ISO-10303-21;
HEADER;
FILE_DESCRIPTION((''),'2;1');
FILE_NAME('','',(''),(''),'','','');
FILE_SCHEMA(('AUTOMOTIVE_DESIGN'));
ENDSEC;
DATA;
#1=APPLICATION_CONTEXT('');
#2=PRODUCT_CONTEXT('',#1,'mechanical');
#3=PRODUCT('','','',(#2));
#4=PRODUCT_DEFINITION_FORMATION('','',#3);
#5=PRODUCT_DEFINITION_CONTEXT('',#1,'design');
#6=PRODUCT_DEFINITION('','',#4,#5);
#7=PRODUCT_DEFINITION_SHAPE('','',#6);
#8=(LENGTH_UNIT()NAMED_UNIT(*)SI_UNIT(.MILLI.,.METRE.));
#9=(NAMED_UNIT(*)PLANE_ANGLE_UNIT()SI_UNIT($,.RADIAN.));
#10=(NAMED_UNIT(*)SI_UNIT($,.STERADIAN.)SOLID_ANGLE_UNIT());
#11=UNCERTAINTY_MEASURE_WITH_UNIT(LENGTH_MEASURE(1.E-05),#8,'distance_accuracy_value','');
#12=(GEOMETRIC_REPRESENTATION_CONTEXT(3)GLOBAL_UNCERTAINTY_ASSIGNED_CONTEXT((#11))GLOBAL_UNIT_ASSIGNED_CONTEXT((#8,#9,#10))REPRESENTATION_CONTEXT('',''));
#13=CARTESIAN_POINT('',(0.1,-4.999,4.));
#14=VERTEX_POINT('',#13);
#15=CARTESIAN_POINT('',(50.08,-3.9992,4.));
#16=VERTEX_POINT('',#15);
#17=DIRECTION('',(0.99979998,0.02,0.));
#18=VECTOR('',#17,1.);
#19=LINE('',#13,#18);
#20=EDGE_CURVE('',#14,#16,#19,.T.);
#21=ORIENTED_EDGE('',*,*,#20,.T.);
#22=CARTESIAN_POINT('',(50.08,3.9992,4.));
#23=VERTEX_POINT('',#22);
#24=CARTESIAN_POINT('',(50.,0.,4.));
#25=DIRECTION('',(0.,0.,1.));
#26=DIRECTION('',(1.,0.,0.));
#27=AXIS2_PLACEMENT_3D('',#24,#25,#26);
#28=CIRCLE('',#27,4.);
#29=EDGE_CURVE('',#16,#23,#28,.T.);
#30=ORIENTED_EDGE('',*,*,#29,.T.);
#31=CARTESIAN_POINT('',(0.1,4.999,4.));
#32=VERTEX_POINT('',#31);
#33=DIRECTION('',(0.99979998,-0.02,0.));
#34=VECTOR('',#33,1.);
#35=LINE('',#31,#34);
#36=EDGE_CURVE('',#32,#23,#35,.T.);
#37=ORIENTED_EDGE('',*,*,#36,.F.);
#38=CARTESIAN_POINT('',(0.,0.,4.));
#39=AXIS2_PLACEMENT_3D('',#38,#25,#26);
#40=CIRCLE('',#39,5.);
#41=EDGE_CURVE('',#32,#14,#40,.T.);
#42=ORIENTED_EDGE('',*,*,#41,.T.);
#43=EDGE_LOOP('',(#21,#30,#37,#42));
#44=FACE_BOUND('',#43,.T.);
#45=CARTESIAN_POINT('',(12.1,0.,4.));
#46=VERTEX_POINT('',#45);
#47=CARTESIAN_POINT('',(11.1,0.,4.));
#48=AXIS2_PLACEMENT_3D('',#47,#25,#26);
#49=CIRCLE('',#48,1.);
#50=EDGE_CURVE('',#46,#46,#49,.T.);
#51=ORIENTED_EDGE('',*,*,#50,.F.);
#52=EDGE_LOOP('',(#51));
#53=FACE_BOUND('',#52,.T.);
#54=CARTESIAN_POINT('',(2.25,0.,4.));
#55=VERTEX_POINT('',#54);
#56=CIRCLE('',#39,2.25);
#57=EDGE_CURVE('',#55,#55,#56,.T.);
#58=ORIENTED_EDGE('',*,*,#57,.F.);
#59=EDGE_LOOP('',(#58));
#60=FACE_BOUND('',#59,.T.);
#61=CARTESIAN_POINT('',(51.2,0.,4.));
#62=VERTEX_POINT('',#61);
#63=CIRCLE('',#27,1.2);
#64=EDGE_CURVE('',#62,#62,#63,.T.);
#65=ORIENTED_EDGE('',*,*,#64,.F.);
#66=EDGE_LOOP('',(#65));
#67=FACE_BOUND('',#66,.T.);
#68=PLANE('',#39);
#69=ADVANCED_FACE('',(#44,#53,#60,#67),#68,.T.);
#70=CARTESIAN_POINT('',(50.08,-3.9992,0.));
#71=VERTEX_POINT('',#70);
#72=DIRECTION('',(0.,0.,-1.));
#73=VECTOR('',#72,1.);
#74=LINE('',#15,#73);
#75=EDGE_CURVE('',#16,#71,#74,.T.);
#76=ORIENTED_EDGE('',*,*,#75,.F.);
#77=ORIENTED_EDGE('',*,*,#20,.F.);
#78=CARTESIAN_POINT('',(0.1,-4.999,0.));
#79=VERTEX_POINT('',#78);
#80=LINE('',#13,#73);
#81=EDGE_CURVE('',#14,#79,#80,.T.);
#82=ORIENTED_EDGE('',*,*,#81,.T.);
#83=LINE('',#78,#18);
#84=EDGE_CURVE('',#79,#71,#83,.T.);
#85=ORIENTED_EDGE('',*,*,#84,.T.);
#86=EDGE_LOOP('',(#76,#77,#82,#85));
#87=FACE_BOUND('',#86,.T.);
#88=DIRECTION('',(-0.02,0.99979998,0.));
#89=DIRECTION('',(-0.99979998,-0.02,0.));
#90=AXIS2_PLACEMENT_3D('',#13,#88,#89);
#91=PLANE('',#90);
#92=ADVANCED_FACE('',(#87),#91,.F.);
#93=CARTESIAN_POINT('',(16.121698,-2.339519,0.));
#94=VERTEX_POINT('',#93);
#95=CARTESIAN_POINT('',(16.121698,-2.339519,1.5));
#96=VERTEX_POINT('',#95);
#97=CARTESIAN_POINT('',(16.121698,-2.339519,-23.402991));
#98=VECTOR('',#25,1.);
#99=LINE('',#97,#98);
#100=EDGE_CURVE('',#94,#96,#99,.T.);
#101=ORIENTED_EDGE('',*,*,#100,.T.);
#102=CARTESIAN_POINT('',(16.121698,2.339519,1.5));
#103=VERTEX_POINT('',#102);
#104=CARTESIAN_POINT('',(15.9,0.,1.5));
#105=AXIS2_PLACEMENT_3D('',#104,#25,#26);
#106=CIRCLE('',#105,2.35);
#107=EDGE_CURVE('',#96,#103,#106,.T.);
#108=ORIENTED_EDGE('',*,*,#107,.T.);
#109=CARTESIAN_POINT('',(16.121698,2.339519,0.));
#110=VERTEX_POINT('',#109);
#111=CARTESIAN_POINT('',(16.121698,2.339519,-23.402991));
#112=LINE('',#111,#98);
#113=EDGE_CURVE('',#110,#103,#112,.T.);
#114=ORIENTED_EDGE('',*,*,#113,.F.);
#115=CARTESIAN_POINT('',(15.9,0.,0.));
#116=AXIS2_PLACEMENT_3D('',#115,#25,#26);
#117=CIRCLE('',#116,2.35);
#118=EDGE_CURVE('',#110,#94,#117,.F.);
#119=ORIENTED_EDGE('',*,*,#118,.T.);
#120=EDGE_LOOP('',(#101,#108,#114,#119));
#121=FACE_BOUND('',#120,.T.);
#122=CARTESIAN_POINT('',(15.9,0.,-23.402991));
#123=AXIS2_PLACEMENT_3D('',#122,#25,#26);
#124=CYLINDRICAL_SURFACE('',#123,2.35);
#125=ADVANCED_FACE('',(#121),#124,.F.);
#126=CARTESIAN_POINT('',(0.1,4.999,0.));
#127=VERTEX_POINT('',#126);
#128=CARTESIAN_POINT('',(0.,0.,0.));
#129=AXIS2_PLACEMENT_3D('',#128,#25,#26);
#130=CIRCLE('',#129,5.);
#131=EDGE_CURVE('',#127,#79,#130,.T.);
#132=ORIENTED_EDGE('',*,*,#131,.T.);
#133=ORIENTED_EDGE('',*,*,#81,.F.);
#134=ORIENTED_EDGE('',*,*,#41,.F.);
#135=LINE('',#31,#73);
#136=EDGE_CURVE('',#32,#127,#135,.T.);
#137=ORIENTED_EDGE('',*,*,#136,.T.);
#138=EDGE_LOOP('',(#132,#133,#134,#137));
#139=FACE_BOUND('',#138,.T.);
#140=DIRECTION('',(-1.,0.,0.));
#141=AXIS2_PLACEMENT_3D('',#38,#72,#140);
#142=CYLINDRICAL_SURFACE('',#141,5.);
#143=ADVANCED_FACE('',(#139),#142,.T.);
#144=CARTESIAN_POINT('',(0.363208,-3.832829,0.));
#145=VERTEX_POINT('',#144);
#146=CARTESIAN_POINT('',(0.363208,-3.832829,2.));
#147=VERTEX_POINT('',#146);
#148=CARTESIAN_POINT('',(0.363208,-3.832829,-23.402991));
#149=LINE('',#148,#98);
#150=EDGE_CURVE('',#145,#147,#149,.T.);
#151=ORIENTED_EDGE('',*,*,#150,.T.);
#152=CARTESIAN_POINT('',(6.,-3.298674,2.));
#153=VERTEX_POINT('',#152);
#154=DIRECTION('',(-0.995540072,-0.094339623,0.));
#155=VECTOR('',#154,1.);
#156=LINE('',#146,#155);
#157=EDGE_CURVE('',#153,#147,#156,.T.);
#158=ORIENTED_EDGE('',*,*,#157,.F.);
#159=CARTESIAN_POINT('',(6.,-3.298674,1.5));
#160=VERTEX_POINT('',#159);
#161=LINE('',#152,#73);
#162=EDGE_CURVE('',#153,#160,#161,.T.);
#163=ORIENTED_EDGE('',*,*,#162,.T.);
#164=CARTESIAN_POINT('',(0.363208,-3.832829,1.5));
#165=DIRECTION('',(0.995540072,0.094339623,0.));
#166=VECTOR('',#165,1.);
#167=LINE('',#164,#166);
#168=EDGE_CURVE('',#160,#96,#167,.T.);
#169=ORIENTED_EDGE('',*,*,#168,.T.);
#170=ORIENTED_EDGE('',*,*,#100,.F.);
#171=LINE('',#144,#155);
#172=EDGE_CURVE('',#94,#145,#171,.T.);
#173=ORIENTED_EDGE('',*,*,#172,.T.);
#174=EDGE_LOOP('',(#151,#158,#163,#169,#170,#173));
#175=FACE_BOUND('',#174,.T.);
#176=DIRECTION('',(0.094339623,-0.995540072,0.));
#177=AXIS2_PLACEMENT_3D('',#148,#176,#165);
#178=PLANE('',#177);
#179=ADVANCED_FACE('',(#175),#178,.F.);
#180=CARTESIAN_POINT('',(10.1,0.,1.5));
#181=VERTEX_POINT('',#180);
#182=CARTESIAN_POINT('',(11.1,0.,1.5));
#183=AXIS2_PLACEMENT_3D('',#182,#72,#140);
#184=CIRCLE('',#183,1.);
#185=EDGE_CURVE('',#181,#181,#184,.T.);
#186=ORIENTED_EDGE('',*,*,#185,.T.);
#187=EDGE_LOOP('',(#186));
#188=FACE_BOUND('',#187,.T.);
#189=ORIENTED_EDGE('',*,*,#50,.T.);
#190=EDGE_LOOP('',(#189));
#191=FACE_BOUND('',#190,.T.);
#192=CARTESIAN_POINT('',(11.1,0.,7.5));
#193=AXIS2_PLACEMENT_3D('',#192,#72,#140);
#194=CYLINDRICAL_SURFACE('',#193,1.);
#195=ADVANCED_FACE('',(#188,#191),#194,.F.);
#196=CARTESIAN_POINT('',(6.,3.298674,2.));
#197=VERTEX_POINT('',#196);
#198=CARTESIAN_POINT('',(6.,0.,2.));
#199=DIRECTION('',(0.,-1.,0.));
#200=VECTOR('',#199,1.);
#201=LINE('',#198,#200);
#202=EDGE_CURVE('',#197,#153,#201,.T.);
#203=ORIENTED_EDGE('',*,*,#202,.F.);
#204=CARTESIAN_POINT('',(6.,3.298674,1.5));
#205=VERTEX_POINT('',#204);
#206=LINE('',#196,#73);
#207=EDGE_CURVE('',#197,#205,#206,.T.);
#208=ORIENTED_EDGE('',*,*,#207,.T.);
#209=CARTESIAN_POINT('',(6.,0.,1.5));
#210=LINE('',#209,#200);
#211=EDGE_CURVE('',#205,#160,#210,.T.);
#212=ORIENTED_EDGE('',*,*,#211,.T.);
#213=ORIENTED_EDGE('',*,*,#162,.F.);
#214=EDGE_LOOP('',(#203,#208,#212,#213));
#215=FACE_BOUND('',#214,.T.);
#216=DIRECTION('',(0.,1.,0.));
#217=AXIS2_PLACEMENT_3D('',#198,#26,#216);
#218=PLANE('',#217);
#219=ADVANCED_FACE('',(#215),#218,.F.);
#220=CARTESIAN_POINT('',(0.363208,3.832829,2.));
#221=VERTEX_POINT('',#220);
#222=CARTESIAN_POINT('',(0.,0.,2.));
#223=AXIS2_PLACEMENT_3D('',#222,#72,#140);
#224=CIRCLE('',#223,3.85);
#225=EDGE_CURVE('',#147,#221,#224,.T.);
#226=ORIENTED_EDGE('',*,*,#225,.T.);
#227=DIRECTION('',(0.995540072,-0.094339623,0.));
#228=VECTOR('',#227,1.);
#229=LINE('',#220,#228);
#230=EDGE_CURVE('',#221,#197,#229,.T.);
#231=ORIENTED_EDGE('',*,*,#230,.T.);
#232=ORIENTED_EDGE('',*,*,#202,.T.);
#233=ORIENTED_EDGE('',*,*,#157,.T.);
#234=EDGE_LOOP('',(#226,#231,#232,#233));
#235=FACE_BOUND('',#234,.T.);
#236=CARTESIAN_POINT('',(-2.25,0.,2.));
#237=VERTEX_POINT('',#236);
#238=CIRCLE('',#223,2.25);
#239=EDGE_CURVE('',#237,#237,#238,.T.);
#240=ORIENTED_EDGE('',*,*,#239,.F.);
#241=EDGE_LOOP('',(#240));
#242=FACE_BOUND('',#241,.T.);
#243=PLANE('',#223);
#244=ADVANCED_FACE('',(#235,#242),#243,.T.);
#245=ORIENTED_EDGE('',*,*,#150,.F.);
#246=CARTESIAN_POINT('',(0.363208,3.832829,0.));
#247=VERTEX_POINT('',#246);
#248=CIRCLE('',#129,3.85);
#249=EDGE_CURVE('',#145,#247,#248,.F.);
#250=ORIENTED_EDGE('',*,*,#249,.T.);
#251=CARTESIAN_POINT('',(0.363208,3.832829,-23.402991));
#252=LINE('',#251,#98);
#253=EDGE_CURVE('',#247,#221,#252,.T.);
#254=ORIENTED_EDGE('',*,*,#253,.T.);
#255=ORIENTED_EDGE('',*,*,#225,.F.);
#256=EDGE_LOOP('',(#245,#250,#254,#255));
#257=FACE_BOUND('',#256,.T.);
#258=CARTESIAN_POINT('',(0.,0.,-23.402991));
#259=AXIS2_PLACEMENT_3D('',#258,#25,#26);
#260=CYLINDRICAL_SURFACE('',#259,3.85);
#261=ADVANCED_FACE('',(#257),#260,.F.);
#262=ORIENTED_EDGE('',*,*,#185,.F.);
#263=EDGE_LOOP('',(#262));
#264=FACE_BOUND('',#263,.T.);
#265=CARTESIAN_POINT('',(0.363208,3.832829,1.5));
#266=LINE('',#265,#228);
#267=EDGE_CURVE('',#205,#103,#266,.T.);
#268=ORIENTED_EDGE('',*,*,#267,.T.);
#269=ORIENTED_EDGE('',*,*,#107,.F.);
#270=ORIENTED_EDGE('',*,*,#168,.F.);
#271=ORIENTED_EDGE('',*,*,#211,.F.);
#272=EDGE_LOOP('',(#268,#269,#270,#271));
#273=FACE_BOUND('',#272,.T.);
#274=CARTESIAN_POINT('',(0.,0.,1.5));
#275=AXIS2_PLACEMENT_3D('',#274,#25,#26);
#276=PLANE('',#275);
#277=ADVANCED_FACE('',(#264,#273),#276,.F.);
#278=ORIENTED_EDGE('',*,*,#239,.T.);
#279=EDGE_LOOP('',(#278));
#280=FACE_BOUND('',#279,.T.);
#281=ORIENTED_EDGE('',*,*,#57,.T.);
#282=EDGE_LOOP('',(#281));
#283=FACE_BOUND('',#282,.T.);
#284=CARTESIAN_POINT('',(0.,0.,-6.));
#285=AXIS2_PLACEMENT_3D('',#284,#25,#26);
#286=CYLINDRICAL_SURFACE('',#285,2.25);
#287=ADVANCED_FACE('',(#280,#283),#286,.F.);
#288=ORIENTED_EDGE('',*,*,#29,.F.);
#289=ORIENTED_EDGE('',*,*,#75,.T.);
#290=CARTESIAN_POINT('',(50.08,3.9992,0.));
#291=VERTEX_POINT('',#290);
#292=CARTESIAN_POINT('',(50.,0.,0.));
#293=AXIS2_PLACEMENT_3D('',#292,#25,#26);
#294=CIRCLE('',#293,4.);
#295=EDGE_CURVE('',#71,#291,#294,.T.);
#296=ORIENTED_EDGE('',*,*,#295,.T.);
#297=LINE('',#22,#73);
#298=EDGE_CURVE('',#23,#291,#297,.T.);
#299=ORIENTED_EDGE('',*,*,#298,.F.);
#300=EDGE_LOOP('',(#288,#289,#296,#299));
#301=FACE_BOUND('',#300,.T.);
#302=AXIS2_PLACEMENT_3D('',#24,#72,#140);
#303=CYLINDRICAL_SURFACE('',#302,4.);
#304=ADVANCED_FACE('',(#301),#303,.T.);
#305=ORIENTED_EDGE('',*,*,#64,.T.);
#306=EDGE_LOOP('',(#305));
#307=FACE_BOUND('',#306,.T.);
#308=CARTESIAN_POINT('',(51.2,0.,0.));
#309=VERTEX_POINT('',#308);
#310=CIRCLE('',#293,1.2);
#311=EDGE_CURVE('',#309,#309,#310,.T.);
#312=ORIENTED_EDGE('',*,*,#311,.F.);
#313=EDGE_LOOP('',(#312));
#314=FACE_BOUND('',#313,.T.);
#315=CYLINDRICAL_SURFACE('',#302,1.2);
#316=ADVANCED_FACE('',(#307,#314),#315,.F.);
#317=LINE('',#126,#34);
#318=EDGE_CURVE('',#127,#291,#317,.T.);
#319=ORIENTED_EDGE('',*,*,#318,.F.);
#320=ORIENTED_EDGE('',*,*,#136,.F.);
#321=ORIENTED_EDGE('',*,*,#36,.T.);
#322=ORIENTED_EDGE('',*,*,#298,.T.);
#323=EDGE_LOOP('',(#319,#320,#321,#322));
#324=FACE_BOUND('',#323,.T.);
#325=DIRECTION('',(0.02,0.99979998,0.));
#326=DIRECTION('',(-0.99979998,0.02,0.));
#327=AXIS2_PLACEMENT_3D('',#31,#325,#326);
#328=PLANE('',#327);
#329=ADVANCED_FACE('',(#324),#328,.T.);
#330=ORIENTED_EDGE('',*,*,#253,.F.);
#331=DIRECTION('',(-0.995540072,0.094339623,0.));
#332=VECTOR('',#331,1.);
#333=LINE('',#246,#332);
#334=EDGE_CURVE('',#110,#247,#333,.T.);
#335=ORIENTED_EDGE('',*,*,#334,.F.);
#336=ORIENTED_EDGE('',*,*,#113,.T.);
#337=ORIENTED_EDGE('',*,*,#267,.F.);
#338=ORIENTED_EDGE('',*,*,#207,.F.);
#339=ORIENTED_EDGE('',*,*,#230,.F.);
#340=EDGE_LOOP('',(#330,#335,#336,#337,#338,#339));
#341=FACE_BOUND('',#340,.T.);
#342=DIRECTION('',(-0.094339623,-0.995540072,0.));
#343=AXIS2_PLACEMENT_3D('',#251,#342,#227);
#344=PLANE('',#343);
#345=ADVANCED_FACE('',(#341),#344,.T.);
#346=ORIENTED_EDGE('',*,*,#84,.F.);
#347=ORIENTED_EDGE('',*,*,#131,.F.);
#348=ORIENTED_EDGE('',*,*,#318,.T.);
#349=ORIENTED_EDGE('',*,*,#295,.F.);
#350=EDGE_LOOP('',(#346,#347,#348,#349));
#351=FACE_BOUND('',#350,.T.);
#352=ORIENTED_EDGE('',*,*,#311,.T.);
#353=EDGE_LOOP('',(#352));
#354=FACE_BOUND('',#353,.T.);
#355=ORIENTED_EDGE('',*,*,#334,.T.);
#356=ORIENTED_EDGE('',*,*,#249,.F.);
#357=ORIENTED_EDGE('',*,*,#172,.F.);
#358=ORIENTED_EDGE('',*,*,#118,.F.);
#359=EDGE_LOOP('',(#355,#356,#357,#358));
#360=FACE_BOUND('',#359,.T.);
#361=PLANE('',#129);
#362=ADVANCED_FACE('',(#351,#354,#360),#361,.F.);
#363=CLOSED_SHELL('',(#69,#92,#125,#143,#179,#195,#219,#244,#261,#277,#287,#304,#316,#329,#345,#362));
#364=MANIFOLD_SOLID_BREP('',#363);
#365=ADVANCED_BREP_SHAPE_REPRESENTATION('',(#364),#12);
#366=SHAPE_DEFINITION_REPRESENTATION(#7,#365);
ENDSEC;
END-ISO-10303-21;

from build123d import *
from build123d.topology import SkipClean

# Parameters (mm, degrees)
SKETCH14_R          = 4
SKETCH14_R_2        = 1.2
SKETCH14_R_3        = 5
BOSS_EXTRUDE1_DEPTH = 4
CUT_EXTRUDE1_START  = -2.5
SKETCH15_R          = 1.2
CUT_EXTRUDE1_DEPTH  = 1.5
CUT_EXTRUDE2_DEPTH  = 0.5
SKETCH17_R          = 1
CUT_EXTRUDE3_DEPTH  = 6
SKETCH18_R          = 2.25
CUT_EXTRUDE4_DEPTH  = 10


with BuildPart() as part:
    # Sketch14 → Boss-Extrude1 (new body)
    with BuildSketch(Plane.XY):
        with BuildLine():
            Line((50.08, 3.99919992), (0.1, 4.9989999))
            ThreePointArc((0.1, 4.9989999), (3.570714214, 3.5), (5, 0))
            ThreePointArc((5, 0), (3.570714214, -3.5), (0.1, -4.9989999))
            Line((0.1, -4.9989999), (50.08, -3.99919992))
            ThreePointArc((50.08, -3.99919992), (46, 0), (50.08, 3.99919992))
        make_face()
        with Locations((50, 0)):
            Circle(SKETCH14_R)
        with Locations((50, 0)):
            Circle(SKETCH14_R_2, mode=Mode.SUBTRACT)
        Circle(SKETCH14_R_3)
        Circle(SKETCH14_R_2, mode=Mode.SUBTRACT)
    extrude(amount=BOSS_EXTRUDE1_DEPTH)

    # Sketch15 → Cut-Extrude1 (cut)
    with BuildSketch(Plane.XY.offset(4).offset(CUT_EXTRUDE1_START)):
        with BuildLine():
            Line((16.121698113, 2.33951917), (0.363207547, 3.832829278))
            ThreePointArc((0.363207547, 3.832829278), (-3.85, 0), (0.363207547, -3.832829278))
            Line((0.363207547, -3.832829278), (16.121698113, -2.33951917))
            ThreePointArc((16.121698113, -2.33951917), (18.25, 0), (16.121698113, 2.33951917))
        make_face()
        Circle(SKETCH15_R, mode=Mode.SUBTRACT)
    extrude(amount=-CUT_EXTRUDE1_DEPTH, mode=Mode.SUBTRACT)

    # Sketch16 → Cut-Extrude2 (cut)
    with SkipClean():  # the faces are left unmerged after this step: merging them gives an invalid solid
        with BuildSketch(Plane(origin=(0, 0, 1.5), x_dir=(-1, 0, 0), z_dir=(0, 0, -1))):
            with BuildLine():
                ThreePointArc((-0.363207547, -3.832829278), (-3.85, 0), (-0.363207547, 3.832829278))
                Line((-0.363207547, 3.832829278), (-6, 3.298674112))
                Line((-6, 3.298674112), (-6, -3.298674112))
                Line((-6, -3.298674112), (-0.363207547, -3.832829278))
            make_face()
            with BuildLine():
                ThreePointArc((3.85, 0), (2.722361108, 2.722361108), (0, 3.85))
                Line((0, 3.85), (0, 1.2))
                ThreePointArc((0, 1.2), (0.848528137, 0.848528137), (1.2, 0))
                ThreePointArc((1.2, 0), (0.848528137, -0.848528137), (0, -1.2))
                Line((0, -1.2), (0, -3.85))
                ThreePointArc((0, -3.85), (2.722361108, -2.722361108), (3.85, 0))
            make_face()
            with BuildLine():
                Line((0, 1.2), (0, 3.85))
                ThreePointArc((0, 3.85), (-0.181806598, 3.845704924), (-0.363207547, 3.832829278))
                ThreePointArc((-0.363207547, 3.832829278), (-3.85, 0), (-0.363207547, -3.832829278))
                ThreePointArc((-0.363207547, -3.832829278), (-0.181806598, -3.845704924), (0, -3.85))
                Line((0, -3.85), (0, -1.2))
                ThreePointArc((0, -1.2), (-1.2, 0), (0, 1.2))
            make_face()
        extrude(amount=-CUT_EXTRUDE2_DEPTH, mode=Mode.SUBTRACT)

    # Sketch17 → Cut-Extrude3 (cut)
    with SkipClean():  # the faces are left unmerged after this step: merging them gives an invalid solid
        with BuildSketch(Plane(origin=(0, 0, 1.5), x_dir=(-1, 0, 0), z_dir=(0, 0, -1))):
            with Locations((-11.1, 0)):
                Circle(SKETCH17_R)
        extrude(amount=-CUT_EXTRUDE3_DEPTH, mode=Mode.SUBTRACT)

    # Sketch18 → Cut-Extrude4 (cut)
    with SkipClean():  # the faces are left unmerged after this step: merging them gives an invalid solid
        with BuildSketch(Plane.XY.offset(4)):
            Circle(SKETCH18_R)
        extrude(amount=-CUT_EXTRUDE4_DEPTH, mode=Mode.SUBTRACT)


solid = part.part
